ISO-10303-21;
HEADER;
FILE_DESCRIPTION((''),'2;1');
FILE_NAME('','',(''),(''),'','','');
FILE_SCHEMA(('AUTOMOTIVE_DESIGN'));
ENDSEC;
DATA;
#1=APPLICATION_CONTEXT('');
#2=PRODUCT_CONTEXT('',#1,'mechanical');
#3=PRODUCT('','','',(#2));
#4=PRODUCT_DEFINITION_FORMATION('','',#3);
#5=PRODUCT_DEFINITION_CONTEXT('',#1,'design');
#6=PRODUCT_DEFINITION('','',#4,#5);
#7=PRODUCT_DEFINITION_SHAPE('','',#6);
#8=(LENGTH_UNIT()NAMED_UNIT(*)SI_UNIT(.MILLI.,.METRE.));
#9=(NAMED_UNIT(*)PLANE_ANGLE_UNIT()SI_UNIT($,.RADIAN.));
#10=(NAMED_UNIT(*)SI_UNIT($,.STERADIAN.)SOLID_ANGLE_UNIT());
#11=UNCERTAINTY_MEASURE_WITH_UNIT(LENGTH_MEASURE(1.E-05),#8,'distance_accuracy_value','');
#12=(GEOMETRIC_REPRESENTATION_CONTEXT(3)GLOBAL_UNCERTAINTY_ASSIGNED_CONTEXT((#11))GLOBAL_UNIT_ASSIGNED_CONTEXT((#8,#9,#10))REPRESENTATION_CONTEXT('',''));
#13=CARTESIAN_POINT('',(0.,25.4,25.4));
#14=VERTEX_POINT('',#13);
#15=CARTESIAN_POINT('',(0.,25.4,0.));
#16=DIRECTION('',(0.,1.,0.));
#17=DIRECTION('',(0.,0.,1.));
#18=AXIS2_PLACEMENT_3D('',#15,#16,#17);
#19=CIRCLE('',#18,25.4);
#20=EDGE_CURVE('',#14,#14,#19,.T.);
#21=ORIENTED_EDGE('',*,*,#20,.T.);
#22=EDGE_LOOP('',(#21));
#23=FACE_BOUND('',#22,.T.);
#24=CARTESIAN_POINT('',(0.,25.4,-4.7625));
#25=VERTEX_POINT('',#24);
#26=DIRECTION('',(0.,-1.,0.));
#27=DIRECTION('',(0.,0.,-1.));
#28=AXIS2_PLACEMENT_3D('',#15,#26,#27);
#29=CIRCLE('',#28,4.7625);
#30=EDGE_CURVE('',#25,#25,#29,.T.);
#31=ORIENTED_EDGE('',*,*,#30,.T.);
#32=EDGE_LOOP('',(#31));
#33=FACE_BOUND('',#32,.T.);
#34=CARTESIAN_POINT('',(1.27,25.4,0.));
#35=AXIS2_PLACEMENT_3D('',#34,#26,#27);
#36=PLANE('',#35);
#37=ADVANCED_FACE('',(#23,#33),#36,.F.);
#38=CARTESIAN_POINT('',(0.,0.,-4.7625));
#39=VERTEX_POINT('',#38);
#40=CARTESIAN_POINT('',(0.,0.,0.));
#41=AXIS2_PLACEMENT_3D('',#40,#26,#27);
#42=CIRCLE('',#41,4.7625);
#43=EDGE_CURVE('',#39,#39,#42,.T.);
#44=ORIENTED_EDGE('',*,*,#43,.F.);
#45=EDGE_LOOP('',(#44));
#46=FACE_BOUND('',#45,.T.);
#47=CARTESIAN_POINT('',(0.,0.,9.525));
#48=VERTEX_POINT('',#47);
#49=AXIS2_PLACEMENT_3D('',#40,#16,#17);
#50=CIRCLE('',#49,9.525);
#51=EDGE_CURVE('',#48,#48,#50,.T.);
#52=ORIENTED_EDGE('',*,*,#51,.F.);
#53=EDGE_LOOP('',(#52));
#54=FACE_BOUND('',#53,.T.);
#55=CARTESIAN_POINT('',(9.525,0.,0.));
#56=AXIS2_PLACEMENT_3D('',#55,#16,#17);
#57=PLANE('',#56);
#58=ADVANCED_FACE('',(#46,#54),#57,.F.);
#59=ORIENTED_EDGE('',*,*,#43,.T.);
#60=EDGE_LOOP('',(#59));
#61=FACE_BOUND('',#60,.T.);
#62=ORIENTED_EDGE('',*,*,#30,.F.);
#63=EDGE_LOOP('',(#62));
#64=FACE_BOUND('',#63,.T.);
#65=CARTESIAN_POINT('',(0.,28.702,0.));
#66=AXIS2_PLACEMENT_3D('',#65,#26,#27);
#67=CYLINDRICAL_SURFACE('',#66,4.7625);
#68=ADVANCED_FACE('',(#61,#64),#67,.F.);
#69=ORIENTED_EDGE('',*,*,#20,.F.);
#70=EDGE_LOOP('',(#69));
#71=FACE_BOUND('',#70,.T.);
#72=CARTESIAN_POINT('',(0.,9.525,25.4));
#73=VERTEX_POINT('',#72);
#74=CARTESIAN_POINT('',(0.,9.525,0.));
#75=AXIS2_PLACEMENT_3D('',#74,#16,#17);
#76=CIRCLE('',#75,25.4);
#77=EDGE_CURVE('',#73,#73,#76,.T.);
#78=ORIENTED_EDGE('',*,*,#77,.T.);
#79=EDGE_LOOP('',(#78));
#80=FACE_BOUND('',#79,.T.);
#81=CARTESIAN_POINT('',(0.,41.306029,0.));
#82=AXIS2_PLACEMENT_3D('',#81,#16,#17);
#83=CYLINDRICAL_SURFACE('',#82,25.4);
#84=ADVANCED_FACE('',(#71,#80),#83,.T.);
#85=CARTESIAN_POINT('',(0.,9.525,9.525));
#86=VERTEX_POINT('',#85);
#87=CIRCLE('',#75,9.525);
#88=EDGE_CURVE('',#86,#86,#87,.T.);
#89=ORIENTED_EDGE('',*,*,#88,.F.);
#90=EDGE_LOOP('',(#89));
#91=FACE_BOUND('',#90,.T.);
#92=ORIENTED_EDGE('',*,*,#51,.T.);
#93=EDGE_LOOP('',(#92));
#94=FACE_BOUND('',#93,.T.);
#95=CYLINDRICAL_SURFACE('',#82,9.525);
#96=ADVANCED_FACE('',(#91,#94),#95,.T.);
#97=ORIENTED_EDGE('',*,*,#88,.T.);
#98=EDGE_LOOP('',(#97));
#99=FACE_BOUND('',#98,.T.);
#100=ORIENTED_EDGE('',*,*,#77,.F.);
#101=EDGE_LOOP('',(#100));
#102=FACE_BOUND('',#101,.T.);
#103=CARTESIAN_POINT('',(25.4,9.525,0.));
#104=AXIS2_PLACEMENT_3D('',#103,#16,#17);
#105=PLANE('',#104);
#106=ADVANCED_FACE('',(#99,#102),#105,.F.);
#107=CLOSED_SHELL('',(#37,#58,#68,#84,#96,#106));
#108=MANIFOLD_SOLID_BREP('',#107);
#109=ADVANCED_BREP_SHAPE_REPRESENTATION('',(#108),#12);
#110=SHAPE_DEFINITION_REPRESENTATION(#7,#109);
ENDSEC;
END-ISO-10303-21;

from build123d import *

# Parameters (mm, degrees)
SKETCH2_R          = 4.7625
CUT_EXTRUDE1_DEPTH = 28.702


with BuildPart() as part:
    # Sketch1 → Revolve2 (revolve)
    with BuildSketch(Plane.XY):
        Polygon((0, 22.225), (1.27, 22.225), (1.27, 25.4), (25.4, 25.4), (25.4, 9.525), (9.525, 9.525), (9.525, 0), (0, 0), align=None)
    revolve(axis=Axis((0, 41.306029029, 0), (0, -1, 0)))

    # Sketch2 → Cut-Extrude1 (cut)
    with BuildSketch(Plane.XZ):
        Circle(SKETCH2_R)
    extrude(amount=-CUT_EXTRUDE1_DEPTH, mode=Mode.SUBTRACT)


solid = part.part
